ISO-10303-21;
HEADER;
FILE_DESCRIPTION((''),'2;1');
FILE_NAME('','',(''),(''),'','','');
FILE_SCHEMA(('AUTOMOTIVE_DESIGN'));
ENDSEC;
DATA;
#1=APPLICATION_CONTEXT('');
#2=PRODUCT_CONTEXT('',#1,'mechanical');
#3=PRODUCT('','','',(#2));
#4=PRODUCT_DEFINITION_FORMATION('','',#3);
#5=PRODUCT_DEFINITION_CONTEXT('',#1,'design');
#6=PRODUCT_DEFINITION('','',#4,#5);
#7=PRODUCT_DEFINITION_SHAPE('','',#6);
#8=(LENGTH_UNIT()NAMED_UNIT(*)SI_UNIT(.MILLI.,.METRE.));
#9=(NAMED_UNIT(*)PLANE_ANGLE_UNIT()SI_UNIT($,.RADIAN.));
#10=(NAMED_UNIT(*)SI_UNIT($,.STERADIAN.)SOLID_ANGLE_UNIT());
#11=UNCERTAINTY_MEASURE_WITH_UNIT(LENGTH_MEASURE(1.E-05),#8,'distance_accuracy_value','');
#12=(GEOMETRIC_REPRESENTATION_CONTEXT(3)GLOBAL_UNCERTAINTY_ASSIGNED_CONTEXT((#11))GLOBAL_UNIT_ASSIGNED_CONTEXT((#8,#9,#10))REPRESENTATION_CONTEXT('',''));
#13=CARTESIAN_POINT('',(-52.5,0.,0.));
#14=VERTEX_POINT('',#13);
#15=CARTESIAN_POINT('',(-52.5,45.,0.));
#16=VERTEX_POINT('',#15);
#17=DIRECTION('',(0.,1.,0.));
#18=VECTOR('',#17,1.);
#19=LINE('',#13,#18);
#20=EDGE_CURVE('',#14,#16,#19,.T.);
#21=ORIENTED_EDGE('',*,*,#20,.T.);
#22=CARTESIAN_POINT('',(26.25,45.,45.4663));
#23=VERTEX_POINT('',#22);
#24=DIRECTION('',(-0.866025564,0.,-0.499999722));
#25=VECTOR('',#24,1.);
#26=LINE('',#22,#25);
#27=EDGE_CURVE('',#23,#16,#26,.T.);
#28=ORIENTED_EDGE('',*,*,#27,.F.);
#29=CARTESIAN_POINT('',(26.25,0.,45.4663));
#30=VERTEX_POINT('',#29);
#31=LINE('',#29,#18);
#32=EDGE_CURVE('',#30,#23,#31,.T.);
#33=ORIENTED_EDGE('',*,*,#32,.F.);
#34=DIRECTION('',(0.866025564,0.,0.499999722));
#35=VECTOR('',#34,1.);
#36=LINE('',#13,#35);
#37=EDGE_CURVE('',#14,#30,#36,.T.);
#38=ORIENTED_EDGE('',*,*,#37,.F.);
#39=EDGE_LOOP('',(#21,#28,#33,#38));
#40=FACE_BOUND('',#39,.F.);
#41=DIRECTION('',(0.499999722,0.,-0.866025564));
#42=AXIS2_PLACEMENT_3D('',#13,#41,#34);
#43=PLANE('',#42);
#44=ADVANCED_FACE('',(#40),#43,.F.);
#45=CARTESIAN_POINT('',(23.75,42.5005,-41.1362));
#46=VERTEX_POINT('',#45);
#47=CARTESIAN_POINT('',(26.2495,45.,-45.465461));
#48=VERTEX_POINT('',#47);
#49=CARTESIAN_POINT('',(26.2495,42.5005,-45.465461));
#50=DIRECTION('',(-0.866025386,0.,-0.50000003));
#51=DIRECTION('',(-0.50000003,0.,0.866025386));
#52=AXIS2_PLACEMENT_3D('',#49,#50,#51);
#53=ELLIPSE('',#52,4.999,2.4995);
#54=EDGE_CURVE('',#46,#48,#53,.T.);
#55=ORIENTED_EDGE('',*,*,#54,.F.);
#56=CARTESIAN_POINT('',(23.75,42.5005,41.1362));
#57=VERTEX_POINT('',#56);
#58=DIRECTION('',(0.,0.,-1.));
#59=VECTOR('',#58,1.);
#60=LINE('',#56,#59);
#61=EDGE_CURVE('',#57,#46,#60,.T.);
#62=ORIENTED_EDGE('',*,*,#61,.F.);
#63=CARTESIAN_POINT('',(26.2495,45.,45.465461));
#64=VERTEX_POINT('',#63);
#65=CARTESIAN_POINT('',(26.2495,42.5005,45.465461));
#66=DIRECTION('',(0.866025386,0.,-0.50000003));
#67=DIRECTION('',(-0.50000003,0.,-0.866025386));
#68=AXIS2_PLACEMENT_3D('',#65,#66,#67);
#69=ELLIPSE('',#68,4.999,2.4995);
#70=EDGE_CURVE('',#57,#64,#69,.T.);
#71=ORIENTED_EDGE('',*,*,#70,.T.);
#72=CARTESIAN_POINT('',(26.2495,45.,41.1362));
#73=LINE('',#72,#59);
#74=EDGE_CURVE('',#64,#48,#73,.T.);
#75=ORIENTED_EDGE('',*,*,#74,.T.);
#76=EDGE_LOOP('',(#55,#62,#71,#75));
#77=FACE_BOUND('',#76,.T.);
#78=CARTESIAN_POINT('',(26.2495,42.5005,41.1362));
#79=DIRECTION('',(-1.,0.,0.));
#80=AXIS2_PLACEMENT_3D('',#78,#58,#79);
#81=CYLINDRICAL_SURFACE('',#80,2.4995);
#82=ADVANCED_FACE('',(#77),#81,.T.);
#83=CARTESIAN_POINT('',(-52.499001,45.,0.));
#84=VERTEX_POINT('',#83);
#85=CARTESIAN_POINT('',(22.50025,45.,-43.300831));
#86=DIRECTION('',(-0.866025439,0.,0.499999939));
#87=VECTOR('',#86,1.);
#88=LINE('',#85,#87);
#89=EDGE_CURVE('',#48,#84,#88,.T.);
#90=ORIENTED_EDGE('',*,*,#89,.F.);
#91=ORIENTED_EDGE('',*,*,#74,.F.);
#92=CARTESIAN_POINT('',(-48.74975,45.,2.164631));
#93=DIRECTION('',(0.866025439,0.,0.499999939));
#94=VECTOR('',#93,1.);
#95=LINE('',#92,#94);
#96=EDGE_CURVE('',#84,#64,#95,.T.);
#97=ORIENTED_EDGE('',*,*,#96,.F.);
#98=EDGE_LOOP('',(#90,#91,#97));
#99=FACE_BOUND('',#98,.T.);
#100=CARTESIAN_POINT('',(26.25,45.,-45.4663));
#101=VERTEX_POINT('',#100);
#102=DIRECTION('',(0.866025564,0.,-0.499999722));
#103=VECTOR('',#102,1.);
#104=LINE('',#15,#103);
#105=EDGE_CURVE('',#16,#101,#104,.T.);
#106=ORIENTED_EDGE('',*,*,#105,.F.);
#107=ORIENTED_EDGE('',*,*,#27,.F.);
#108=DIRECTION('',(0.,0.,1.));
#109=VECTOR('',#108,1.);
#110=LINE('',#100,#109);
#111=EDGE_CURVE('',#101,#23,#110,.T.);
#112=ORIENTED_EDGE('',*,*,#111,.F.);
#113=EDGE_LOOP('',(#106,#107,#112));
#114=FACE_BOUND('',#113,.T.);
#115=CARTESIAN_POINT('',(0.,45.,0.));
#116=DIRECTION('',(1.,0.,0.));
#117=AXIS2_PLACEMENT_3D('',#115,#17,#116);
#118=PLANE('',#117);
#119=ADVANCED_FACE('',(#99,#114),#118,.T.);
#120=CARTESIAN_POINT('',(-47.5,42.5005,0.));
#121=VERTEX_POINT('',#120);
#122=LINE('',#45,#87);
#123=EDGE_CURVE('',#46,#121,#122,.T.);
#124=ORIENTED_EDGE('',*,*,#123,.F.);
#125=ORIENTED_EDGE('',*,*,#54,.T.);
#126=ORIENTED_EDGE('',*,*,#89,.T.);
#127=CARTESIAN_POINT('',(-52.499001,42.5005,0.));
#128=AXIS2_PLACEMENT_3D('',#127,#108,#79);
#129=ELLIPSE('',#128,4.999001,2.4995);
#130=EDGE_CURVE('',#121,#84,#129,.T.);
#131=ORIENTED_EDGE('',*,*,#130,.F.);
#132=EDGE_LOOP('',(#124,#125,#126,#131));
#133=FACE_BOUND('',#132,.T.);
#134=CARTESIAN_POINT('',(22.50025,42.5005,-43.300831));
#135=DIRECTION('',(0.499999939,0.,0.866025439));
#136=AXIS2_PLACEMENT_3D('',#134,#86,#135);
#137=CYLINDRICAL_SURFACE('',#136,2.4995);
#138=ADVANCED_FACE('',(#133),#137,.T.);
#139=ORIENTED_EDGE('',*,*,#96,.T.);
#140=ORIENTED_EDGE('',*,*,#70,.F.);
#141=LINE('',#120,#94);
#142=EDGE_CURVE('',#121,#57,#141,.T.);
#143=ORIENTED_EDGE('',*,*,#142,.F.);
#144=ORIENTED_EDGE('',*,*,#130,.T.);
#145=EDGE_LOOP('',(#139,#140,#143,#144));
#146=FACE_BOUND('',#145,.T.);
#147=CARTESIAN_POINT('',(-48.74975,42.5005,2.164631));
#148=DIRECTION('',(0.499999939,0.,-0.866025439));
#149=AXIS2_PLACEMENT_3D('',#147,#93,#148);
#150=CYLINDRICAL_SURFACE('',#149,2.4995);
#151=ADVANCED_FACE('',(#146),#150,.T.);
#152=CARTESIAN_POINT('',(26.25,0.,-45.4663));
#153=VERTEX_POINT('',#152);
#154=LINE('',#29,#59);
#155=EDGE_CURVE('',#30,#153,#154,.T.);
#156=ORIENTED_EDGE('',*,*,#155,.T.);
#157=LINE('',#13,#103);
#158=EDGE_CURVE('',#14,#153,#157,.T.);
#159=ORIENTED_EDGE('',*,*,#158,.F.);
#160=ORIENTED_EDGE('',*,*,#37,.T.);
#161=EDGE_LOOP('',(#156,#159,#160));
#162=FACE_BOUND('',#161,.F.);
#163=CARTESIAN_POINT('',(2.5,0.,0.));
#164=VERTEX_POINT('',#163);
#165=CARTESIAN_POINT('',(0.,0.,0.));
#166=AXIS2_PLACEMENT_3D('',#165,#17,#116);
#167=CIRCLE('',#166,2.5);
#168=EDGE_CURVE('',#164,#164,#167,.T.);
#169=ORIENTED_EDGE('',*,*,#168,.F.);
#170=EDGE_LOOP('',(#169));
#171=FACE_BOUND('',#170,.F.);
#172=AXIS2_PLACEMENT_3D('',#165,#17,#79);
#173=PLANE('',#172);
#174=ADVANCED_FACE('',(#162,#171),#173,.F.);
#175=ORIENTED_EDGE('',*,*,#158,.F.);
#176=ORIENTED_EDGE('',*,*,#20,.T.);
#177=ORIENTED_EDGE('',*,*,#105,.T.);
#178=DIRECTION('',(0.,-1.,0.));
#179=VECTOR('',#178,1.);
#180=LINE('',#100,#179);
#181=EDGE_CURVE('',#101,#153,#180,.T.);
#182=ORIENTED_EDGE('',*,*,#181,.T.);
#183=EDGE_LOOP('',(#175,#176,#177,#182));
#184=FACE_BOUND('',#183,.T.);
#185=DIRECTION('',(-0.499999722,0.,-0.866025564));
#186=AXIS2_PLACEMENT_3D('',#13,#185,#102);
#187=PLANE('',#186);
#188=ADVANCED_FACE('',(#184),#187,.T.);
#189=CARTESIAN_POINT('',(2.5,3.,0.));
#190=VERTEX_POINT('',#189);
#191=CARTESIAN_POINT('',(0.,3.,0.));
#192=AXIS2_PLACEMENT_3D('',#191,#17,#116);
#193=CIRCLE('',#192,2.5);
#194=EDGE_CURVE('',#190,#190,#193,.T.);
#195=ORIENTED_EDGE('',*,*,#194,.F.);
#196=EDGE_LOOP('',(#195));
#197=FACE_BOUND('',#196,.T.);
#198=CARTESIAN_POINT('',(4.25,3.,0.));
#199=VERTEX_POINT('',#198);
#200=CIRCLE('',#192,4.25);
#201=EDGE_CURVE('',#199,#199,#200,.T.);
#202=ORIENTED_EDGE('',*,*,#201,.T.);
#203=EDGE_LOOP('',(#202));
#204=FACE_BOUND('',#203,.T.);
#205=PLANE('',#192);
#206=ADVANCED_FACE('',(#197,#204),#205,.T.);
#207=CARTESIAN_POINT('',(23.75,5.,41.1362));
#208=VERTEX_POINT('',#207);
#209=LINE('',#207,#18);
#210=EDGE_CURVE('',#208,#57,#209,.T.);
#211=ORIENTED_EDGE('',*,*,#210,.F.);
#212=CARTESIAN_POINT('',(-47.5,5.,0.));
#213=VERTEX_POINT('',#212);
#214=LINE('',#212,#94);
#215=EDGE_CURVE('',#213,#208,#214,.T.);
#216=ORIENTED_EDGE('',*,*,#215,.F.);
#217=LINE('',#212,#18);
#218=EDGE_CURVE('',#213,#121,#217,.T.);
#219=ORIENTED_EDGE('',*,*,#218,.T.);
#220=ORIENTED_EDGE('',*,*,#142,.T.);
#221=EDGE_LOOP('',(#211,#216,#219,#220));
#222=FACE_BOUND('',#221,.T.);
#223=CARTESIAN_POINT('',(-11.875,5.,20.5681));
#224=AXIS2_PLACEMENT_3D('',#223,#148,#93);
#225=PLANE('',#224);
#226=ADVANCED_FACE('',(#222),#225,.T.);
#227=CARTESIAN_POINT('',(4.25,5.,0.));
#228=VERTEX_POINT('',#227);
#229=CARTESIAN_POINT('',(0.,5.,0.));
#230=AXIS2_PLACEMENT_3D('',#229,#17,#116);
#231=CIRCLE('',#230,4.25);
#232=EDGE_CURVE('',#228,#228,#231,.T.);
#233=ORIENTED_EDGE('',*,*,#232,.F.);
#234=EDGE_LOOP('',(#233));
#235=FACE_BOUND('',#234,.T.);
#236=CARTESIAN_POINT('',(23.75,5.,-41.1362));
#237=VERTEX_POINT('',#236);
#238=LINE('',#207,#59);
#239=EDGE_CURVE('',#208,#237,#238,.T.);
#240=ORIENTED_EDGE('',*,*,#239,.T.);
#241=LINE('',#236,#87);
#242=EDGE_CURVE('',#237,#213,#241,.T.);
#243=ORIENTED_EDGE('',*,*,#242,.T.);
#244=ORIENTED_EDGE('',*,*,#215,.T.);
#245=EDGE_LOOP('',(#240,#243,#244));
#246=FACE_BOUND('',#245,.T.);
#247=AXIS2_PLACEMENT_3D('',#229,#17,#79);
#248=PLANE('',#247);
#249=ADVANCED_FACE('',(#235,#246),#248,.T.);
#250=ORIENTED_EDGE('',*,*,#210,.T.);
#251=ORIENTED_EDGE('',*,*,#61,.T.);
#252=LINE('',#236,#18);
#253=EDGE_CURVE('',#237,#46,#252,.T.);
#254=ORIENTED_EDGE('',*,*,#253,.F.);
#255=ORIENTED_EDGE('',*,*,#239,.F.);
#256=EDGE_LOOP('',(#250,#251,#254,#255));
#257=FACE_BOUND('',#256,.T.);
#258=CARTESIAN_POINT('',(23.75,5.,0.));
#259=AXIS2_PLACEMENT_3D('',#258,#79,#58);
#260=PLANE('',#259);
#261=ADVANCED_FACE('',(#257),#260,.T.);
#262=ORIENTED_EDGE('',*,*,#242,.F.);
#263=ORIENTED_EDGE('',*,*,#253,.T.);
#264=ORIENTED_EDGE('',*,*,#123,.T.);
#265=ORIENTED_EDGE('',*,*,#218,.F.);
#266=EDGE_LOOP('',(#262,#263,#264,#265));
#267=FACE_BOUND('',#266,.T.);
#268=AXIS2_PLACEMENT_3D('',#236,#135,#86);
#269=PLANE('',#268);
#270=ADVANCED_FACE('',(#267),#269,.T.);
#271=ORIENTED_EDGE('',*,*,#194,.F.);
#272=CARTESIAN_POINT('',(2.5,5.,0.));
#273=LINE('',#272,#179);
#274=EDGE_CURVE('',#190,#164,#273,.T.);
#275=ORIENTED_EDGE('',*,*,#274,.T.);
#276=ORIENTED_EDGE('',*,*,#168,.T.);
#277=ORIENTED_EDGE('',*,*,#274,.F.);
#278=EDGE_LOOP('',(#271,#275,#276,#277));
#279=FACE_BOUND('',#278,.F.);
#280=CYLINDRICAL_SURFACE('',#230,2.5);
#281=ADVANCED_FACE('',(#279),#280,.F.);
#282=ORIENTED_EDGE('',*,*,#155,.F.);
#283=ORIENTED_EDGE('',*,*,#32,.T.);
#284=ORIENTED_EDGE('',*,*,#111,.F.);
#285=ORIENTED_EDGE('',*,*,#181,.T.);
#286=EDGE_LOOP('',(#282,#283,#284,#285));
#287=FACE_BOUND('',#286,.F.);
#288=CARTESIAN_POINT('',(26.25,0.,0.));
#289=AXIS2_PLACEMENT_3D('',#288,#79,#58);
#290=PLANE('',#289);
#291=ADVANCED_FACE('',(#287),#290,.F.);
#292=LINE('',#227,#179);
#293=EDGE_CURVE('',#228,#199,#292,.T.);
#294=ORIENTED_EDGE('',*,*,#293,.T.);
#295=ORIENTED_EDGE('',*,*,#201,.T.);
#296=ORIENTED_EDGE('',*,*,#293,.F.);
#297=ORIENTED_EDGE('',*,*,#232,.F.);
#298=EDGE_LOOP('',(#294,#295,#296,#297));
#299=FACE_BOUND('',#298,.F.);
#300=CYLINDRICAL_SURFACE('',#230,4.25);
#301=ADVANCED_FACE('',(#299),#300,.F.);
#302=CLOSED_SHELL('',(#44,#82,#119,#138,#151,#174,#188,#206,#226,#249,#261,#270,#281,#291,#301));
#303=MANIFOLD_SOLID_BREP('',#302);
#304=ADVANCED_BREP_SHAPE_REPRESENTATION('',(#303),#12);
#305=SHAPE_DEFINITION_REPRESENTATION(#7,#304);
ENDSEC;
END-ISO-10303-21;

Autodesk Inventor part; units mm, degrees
ref_plane "YZ Plane" through (0, 0, 0) normal (1, 0, 0) x (0, 1, 0)
ref_plane "XZ Plane" through (0, 0, 0) normal (0, 1, 0) x (-1, 0, 0)
ref_plane "XY Plane" through (0, 0, 0) normal (0, 0, 1) x (1, 0, 0)
sketch "Sketch1" plane through (0, 0, 0) normal (0, 1, 0) x (-1, 0, 0)
  circle A0 centre (0, 0) radius 52.5
  line L0 (0, 0) -> (52.5, 0)
  line L1 (52.5, 0) -> (0, 0)
  line L2 (52.5, 0) -> (0, 0)
  line L3 (0, 0) -> (-26.25, 0)
  line L4 (-26.25, 0) -> (-26.25, 45.4663)
  line L5 (52.5, 0) -> (-26.25, 45.4663)
  line L6 (-26.25, 0) -> (-26.25, -45.4663)
  line L7 (52.5, 0) -> (-26.25, -45.4663)
extrude "Extrusion1" add sketch "Sketch1" along normal blind 5 contours L7 L6 L3 L0 | L0 L3 L4 L5
sketch "Sketch5" plane through (0, 5, 0) normal (0, 1, 0) x (1, 0, 0)
  circle A0 centre (0, 0) radius 4.25
  dimension "d9" = 8.5
extrude "Extrusion3" cut sketch "Sketch5" against normal blind 2
sketch "Sketch6" plane through (0, 5, 0) normal (0, 1, 0) x (1, 0, 0)
  circle A0 centre (0, 0) radius 2.5
  dimension "d12" = 5
extrude "Extrusion4" add sketch "Sketch6" against normal blind 10
sketch "Sketch7" plane through (0, 5, 0) normal (0, 1, 0) x (1, 0, 0)
  circle A0 centre (0, 0) radius 4.25 projected
  circle A1 centre (0, 0) radius 2.5
extrude "Extrusion5" cut sketch "Sketch7" against normal through all contours A1
sketch "Sketch8" plane through (0, 5, 0) normal (0, 1, 0) x (1, 0, 0)
  line L0 (-52.5, 0) -> (26.25, -45.4663) projected
  line L1 (-52.5, 0) -> (26.25, -45.4663)
  line L2 (26.25, 45.4663) -> (-52.5, 0) projected
  line L3 (26.25, -45.4663) -> (26.25, 45.4663)
  line L4 (26.25, 45.4663) -> (-52.5, 0)
  line L5 (26.25, -45.4663) -> (26.25, 45.4663) projected
  line L6 (26.25, 0) -> (23.75, 0)
  line L7 (-13.125, -22.7332) -> (-11.875, -20.5681)
  line L8 (-13.125, 22.7332) -> (-11.875, 20.5681)
  line L9 (-11.875, -20.5681) -> (-47.5, 0)
  line L10 (-47.5, 0) -> (-11.875, 20.5681)
  line L11 (23.75, 0) -> (23.75, 41.1362)
  line L12 (23.75, 41.1362) -> (-11.875, 20.5681)
  line L13 (23.75, 0) -> (23.75, -41.1362)
  line L14 (-11.875, -20.5681) -> (23.75, -41.1362)
  point P0 (0, 0)
  dimension "d17" = 2.5
  dimension "d18" = 2.5
extrude "Extrusion6" add sketch "Sketch8" along normal blind 40 contours L2 L8 L10 L9 L7 L0 | L7 L14 L13 L6 L3 L0 | L2 L3 L6 L11 L12 L8
fillet "Fillet1" radius 2.5 3 edges at (-11.875, 45, -20.5681) (23.75, 45, 0) (-11.875, 45, 20.5681)
properties part number "TrojkatP"
